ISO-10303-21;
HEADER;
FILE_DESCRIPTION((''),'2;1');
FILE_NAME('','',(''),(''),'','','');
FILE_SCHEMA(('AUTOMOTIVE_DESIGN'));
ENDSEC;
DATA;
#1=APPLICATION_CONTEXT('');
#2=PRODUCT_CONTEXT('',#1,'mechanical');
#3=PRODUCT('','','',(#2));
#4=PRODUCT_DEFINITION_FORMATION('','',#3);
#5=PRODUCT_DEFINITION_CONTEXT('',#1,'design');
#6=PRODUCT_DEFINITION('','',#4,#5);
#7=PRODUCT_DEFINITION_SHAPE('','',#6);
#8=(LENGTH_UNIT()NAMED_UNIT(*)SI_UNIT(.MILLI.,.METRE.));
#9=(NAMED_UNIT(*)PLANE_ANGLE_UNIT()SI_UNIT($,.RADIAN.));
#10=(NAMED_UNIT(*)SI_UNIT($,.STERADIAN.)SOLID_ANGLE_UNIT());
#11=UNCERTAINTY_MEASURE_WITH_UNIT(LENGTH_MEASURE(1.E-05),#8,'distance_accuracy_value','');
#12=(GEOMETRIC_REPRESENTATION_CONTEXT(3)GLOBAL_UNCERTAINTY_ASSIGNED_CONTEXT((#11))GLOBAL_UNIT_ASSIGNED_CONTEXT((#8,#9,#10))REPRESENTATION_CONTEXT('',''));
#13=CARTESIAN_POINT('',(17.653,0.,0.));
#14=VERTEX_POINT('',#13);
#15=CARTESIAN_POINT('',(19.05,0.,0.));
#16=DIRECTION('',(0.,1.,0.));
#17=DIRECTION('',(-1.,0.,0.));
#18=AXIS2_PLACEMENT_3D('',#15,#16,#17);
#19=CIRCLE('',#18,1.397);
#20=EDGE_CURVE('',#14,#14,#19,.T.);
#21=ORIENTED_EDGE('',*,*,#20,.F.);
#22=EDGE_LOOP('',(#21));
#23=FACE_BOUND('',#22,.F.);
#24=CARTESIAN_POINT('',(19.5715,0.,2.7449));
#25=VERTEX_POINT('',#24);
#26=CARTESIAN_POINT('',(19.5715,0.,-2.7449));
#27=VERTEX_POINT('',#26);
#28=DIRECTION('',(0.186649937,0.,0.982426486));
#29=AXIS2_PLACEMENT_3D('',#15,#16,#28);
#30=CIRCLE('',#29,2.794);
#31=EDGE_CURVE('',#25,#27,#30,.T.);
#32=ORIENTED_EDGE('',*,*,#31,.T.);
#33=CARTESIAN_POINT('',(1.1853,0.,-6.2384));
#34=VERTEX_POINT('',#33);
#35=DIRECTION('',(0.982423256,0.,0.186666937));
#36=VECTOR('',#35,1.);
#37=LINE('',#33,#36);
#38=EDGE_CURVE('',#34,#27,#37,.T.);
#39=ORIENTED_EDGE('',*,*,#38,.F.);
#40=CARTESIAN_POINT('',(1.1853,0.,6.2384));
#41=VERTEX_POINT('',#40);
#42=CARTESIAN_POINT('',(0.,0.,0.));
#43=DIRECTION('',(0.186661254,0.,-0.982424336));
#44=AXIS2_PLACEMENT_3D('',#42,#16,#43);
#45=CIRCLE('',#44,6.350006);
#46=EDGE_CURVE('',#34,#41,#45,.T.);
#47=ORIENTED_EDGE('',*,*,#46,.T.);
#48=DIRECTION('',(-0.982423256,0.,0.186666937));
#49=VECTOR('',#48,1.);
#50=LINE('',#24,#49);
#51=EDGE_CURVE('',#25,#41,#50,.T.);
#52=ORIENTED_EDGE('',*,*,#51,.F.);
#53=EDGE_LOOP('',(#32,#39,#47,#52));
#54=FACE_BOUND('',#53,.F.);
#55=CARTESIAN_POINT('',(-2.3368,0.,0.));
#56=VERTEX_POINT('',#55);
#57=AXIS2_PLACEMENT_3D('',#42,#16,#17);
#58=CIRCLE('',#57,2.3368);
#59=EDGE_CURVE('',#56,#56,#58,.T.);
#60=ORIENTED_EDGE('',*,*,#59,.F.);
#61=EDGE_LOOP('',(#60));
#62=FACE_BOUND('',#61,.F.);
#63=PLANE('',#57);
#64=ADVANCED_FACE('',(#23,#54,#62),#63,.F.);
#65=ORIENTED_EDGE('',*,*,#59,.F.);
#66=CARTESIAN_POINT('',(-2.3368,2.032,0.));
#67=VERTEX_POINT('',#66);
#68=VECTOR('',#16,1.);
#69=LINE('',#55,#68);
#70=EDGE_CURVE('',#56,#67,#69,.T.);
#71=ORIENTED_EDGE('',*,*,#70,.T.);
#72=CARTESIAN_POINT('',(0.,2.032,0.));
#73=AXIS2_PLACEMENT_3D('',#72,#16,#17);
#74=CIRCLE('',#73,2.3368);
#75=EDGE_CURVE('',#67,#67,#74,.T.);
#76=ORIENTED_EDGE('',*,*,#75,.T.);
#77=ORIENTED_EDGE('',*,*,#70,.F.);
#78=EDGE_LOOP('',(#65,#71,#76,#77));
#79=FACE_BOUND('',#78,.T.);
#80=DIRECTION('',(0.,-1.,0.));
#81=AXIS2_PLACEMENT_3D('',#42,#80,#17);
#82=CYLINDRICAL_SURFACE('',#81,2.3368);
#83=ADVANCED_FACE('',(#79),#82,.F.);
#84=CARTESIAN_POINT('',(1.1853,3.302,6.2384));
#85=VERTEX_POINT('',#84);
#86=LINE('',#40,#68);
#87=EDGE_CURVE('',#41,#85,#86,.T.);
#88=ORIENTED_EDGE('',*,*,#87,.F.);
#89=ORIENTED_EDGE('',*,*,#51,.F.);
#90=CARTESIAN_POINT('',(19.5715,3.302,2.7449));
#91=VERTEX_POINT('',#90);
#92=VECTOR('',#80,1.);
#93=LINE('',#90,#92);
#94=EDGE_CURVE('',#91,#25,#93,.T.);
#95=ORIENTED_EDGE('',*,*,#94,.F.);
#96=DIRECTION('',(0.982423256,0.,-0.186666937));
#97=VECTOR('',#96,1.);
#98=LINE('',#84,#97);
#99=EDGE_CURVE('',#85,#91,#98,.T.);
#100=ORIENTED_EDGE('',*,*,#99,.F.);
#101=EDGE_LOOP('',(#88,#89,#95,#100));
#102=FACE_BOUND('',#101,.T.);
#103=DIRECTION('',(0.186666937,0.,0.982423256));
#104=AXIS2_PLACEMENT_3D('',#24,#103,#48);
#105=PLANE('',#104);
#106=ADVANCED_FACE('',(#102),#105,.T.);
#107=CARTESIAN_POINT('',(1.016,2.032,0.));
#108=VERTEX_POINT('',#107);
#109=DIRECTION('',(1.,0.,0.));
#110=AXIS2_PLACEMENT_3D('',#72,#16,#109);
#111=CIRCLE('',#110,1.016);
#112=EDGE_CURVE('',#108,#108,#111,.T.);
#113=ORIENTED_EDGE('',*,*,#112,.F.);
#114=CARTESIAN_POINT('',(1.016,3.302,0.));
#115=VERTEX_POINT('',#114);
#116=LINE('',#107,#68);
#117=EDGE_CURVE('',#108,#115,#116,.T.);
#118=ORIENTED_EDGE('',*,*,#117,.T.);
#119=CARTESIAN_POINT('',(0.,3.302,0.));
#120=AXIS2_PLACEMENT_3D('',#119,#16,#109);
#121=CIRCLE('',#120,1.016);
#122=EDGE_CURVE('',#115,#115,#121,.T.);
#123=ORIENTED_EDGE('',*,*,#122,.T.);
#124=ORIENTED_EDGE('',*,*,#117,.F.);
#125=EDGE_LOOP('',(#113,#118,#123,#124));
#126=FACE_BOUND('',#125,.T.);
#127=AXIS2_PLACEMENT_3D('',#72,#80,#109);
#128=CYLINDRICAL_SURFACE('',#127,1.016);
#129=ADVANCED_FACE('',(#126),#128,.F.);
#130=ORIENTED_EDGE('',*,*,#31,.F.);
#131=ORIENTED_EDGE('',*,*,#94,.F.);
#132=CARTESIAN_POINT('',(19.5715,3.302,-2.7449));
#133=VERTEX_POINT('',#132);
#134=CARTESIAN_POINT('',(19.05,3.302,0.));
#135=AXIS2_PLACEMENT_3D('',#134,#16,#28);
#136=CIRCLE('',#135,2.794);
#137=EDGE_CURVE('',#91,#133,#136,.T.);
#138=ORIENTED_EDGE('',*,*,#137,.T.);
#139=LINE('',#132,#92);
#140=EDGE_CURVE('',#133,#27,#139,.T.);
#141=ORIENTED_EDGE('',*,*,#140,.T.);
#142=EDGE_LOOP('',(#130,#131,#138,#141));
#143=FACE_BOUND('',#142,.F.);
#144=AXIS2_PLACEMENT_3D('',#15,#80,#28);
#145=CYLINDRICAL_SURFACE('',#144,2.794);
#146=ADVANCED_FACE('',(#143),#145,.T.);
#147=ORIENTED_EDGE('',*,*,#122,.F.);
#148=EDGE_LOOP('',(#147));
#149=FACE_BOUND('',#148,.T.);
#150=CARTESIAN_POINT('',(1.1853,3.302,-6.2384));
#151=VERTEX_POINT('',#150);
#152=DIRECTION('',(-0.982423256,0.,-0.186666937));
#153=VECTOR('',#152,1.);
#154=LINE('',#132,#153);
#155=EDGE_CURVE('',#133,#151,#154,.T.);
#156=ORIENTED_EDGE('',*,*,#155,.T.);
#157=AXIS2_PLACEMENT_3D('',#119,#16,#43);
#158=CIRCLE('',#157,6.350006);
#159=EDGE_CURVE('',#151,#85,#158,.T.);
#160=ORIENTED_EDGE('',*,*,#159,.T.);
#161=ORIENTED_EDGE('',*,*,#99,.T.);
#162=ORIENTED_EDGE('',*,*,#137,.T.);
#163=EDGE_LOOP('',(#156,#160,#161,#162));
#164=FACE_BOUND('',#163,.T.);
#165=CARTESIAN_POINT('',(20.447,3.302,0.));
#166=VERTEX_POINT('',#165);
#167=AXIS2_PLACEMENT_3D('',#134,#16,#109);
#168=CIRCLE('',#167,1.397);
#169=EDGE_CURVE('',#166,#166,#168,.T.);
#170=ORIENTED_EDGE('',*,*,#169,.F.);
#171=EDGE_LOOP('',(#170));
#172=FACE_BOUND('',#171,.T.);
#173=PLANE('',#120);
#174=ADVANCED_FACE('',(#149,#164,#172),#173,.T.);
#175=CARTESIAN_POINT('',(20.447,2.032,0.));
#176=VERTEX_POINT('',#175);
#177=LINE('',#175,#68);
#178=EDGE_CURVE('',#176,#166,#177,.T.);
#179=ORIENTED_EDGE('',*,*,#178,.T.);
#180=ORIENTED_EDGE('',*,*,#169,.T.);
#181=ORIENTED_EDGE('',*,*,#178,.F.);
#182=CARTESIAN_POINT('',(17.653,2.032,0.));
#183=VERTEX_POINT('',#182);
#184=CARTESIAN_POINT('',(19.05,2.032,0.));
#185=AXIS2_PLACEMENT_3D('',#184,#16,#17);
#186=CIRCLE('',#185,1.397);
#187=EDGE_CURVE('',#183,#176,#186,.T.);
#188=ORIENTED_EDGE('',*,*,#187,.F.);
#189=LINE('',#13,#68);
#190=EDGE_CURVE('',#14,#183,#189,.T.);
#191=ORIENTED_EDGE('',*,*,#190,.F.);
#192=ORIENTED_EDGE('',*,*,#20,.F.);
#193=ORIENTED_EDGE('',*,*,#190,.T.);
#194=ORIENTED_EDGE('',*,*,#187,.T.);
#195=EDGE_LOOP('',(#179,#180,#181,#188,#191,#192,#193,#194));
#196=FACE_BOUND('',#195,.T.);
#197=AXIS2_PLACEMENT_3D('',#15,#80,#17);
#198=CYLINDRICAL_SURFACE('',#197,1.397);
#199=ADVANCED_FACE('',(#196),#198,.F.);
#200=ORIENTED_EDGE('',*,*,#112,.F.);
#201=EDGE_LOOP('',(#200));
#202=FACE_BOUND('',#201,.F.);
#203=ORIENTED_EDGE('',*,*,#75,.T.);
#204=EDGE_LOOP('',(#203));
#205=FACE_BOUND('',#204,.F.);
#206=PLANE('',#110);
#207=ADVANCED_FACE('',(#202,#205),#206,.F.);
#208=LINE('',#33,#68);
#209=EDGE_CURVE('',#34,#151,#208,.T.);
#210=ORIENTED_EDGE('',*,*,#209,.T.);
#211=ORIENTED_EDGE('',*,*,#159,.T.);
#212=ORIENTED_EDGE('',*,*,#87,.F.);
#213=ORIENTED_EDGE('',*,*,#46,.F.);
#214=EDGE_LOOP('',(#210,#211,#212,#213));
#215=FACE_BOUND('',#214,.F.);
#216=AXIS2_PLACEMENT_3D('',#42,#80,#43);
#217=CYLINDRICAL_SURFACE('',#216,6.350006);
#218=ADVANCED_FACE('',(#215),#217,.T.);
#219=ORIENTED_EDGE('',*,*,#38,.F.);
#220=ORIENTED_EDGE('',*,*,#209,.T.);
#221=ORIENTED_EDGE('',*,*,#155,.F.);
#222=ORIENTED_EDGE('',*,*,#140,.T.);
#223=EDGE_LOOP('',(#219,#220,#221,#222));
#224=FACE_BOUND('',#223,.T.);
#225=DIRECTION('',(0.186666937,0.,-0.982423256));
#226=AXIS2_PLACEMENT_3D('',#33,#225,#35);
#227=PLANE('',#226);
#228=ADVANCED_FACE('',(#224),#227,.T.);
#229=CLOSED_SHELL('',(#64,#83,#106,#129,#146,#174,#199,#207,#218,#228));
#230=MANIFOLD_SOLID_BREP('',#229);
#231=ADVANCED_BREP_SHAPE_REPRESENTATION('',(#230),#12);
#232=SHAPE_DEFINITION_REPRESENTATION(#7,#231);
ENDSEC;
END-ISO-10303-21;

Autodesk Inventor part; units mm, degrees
ref_plane "YZ Plane" through (0, 0, 0) normal (1, 0, 0) x (0, 1, 0)
ref_plane "XZ Plane" through (0, 0, 0) normal (0, 1, 0) x (-1, 0, 0)
ref_plane "XY Plane" through (0, 0, 0) normal (0, 0, 1) x (1, 0, 0)
sketch "Sketch1" plane through (0, 0, 0) normal (0, 1, 0) x (-1, 0, 0)
  circle A0 centre (0, 0) radius 2.3368
  arc A1 (-1.1853, -6.2384) -> (-1.1853, 6.2384) centre (0, 0) ccw
  arc A2 (-19.5715, 2.7449) -> (-19.5715, -2.7449) centre (-19.05, 0) ccw
  line L0 (-1.1853, -6.2384) -> (-19.5715, -2.7449)
  line L1 (-19.5715, 2.7449) -> (-1.1853, 6.2384)
  circle A3 centre (-19.05, 0) radius 1.397
  arc A4 (-2.3333, -0.127) -> (-2.3333, 0.127) centre (-2.3368, 0) ccw
  arc A5 (-2.256, -0.6093) -> (-2.3088, -0.361) centre (-2.2857, -0.4858) ccw
  arc A6 (-2.08, -1.065) -> (-2.1833, -0.8331) centre (-2.1348, -0.9505) ccw
  arc A7 (-1.8131, -1.4742) -> (-1.9623, -1.2688) centre (-1.8905, -1.3735) ccw
  arc A8 (-1.467, -1.819) -> (-1.6557, -1.6491) centre (-1.5636, -1.7366) ccw
  arc A9 (-1.0567, -2.0842) -> (-1.2766, -1.9573) centre (-1.1684, -2.0237) ccw
  arc A10 (-0.6003, -2.2584) -> (-0.8418, -2.1799) centre (-0.7221, -2.2224) ccw
  arc A11 (-0.1176, -2.3338) -> (-0.3702, -2.3073) centre (-0.2443, -2.324) ccw
  arc A12 (0.3702, -2.3073) -> (0.1176, -2.3338) centre (0.2443, -2.324) ccw
  arc A13 (0.8418, -2.1799) -> (0.6003, -2.2584) centre (0.7221, -2.2224) ccw
  arc A14 (1.2766, -1.9573) -> (1.0567, -2.0842) centre (1.1684, -2.0237) ccw
  arc A15 (1.6557, -1.6491) -> (1.467, -1.819) centre (1.5636, -1.7366) ccw
  arc A16 (1.9623, -1.2688) -> (1.8131, -1.4742) centre (1.8905, -1.3735) ccw
  arc A17 (2.1833, -0.8331) -> (2.08, -1.065) centre (2.1348, -0.9505) ccw
  arc A18 (2.3088, -0.361) -> (2.256, -0.6093) centre (2.2857, -0.4858) ccw
  arc A19 (2.3333, 0.127) -> (2.3333, -0.127) centre (2.3368, 0) ccw
  arc A20 (2.256, 0.6093) -> (2.3088, 0.361) centre (2.2857, 0.4858) ccw
  arc A21 (2.08, 1.065) -> (2.1833, 0.8331) centre (2.1348, 0.9505) ccw
  arc A22 (1.8131, 1.4742) -> (1.9623, 1.2688) centre (1.8905, 1.3735) ccw
  arc A23 (1.467, 1.819) -> (1.6557, 1.6491) centre (1.5636, 1.7366) ccw
  arc A24 (1.0567, 2.0842) -> (1.2766, 1.9573) centre (1.1684, 2.0237) ccw
  arc A25 (0.6003, 2.2584) -> (0.8418, 2.1799) centre (0.7221, 2.2224) ccw
  arc A26 (0.1176, 2.3338) -> (0.3702, 2.3073) centre (0.2443, 2.324) ccw
  arc A27 (-0.3702, 2.3073) -> (-0.1176, 2.3338) centre (-0.2443, 2.324) ccw
  arc A28 (-0.8418, 2.1799) -> (-0.6003, 2.2584) centre (-0.7221, 2.2224) ccw
  arc A29 (-1.2766, 1.9573) -> (-1.0567, 2.0842) centre (-1.1684, 2.0237) ccw
  arc A30 (-1.6557, 1.6491) -> (-1.467, 1.819) centre (-1.5636, 1.7366) ccw
  arc A31 (-1.9623, 1.2688) -> (-1.8131, 1.4742) centre (-1.8905, 1.3735) ccw
  arc A32 (-2.1833, 0.8331) -> (-2.08, 1.065) centre (-2.1348, 0.9505) ccw
  arc A33 (-2.3088, 0.361) -> (-2.256, 0.6093) centre (-2.2857, 0.4858) ccw
  point P0 (-2.256, -0.6093)
  point P1 (-2.3088, -0.361)
  point P2 (-2.1833, -0.8331)
  point P3 (-1.8131, -1.4742)
  point P4 (-1.6557, -1.6491)
  point P5 (-1.0567, -2.0842)
  point P6 (-0.8418, -2.1799)
  point P7 (-0.1176, -2.3338)
  point P8 (-0.3702, -2.3073)
  point P9 (0.1176, -2.3338)
  point P10 (0.8418, -2.1799)
  point P11 (0.6003, -2.2584)
  point P12 (1.8131, -1.4742)
  point P13 (2.08, -1.065)
  point P14 (2.3088, -0.361)
  point P15 (2.256, -0.6093)
  point P16 (2.256, 0.6093)
  point P17 (2.3088, 0.361)
  point P18 (2.1833, 0.8331)
  point P19 (1.9623, 1.2688)
  point P20 (1.6557, 1.6491)
  point P21 (1.0567, 2.0842)
  point P22 (1.2766, 1.9573)
  point P23 (0.6003, 2.2584)
  point P24 (0.8418, 2.1799)
  point P25 (0.1176, 2.3338)
  point P26 (0.3702, 2.3073)
  point P27 (-0.1176, 2.3338)
  point P28 (-0.8418, 2.1799)
  point P29 (-0.6003, 2.2584)
  point P30 (-1.2766, 1.9573)
  point P31 (-1.0567, 2.0842)
  point P32 (-1.8131, 1.4742)
  point P33 (-2.08, 1.065)
  point P34 (-2.3088, 0.361)
  point P35 (-2.256, 0.6093)
  dimension "d0" = 4.6736
  dimension "d1" = 12.7
  dimension "d2" = 19.05
  dimension "d3" = 5.588
  dimension "d4" = 2.794
  dimension "d10" = 0.254
  dimension "d13" = 360
extrude "Extrusion1" add sketch "Sketch1" along normal blind 2.032
sketch "Sketch2" plane through (0, 2.032, 0) normal (0, 1, 0) x (1, 0, 0)
  line L0 (19.5715, 2.7449) -> (1.1853, 6.2384) projected
  arc A0 (1.1853, 6.2384) -> (1.1853, -6.2384) centre (0, 0) ccw projected
  line L1 (1.1853, -6.2384) -> (19.5715, -2.7449) projected
  arc A1 (19.5715, -2.7449) -> (19.5715, 2.7449) centre (19.05, 0) ccw projected
  circle A2 centre (0, 0) radius 2.3368 projected
  circle A3 centre (19.05, 0) radius 1.397 projected
  circle A4 centre (0, 0) radius 1.016
  dimension "d7" = 2.032
extrude "Extrusion2" add sketch "Sketch2" along normal blind 1.27 contours A1 L1 A0 L0 | A2
properties part number "Servo Spinner"
